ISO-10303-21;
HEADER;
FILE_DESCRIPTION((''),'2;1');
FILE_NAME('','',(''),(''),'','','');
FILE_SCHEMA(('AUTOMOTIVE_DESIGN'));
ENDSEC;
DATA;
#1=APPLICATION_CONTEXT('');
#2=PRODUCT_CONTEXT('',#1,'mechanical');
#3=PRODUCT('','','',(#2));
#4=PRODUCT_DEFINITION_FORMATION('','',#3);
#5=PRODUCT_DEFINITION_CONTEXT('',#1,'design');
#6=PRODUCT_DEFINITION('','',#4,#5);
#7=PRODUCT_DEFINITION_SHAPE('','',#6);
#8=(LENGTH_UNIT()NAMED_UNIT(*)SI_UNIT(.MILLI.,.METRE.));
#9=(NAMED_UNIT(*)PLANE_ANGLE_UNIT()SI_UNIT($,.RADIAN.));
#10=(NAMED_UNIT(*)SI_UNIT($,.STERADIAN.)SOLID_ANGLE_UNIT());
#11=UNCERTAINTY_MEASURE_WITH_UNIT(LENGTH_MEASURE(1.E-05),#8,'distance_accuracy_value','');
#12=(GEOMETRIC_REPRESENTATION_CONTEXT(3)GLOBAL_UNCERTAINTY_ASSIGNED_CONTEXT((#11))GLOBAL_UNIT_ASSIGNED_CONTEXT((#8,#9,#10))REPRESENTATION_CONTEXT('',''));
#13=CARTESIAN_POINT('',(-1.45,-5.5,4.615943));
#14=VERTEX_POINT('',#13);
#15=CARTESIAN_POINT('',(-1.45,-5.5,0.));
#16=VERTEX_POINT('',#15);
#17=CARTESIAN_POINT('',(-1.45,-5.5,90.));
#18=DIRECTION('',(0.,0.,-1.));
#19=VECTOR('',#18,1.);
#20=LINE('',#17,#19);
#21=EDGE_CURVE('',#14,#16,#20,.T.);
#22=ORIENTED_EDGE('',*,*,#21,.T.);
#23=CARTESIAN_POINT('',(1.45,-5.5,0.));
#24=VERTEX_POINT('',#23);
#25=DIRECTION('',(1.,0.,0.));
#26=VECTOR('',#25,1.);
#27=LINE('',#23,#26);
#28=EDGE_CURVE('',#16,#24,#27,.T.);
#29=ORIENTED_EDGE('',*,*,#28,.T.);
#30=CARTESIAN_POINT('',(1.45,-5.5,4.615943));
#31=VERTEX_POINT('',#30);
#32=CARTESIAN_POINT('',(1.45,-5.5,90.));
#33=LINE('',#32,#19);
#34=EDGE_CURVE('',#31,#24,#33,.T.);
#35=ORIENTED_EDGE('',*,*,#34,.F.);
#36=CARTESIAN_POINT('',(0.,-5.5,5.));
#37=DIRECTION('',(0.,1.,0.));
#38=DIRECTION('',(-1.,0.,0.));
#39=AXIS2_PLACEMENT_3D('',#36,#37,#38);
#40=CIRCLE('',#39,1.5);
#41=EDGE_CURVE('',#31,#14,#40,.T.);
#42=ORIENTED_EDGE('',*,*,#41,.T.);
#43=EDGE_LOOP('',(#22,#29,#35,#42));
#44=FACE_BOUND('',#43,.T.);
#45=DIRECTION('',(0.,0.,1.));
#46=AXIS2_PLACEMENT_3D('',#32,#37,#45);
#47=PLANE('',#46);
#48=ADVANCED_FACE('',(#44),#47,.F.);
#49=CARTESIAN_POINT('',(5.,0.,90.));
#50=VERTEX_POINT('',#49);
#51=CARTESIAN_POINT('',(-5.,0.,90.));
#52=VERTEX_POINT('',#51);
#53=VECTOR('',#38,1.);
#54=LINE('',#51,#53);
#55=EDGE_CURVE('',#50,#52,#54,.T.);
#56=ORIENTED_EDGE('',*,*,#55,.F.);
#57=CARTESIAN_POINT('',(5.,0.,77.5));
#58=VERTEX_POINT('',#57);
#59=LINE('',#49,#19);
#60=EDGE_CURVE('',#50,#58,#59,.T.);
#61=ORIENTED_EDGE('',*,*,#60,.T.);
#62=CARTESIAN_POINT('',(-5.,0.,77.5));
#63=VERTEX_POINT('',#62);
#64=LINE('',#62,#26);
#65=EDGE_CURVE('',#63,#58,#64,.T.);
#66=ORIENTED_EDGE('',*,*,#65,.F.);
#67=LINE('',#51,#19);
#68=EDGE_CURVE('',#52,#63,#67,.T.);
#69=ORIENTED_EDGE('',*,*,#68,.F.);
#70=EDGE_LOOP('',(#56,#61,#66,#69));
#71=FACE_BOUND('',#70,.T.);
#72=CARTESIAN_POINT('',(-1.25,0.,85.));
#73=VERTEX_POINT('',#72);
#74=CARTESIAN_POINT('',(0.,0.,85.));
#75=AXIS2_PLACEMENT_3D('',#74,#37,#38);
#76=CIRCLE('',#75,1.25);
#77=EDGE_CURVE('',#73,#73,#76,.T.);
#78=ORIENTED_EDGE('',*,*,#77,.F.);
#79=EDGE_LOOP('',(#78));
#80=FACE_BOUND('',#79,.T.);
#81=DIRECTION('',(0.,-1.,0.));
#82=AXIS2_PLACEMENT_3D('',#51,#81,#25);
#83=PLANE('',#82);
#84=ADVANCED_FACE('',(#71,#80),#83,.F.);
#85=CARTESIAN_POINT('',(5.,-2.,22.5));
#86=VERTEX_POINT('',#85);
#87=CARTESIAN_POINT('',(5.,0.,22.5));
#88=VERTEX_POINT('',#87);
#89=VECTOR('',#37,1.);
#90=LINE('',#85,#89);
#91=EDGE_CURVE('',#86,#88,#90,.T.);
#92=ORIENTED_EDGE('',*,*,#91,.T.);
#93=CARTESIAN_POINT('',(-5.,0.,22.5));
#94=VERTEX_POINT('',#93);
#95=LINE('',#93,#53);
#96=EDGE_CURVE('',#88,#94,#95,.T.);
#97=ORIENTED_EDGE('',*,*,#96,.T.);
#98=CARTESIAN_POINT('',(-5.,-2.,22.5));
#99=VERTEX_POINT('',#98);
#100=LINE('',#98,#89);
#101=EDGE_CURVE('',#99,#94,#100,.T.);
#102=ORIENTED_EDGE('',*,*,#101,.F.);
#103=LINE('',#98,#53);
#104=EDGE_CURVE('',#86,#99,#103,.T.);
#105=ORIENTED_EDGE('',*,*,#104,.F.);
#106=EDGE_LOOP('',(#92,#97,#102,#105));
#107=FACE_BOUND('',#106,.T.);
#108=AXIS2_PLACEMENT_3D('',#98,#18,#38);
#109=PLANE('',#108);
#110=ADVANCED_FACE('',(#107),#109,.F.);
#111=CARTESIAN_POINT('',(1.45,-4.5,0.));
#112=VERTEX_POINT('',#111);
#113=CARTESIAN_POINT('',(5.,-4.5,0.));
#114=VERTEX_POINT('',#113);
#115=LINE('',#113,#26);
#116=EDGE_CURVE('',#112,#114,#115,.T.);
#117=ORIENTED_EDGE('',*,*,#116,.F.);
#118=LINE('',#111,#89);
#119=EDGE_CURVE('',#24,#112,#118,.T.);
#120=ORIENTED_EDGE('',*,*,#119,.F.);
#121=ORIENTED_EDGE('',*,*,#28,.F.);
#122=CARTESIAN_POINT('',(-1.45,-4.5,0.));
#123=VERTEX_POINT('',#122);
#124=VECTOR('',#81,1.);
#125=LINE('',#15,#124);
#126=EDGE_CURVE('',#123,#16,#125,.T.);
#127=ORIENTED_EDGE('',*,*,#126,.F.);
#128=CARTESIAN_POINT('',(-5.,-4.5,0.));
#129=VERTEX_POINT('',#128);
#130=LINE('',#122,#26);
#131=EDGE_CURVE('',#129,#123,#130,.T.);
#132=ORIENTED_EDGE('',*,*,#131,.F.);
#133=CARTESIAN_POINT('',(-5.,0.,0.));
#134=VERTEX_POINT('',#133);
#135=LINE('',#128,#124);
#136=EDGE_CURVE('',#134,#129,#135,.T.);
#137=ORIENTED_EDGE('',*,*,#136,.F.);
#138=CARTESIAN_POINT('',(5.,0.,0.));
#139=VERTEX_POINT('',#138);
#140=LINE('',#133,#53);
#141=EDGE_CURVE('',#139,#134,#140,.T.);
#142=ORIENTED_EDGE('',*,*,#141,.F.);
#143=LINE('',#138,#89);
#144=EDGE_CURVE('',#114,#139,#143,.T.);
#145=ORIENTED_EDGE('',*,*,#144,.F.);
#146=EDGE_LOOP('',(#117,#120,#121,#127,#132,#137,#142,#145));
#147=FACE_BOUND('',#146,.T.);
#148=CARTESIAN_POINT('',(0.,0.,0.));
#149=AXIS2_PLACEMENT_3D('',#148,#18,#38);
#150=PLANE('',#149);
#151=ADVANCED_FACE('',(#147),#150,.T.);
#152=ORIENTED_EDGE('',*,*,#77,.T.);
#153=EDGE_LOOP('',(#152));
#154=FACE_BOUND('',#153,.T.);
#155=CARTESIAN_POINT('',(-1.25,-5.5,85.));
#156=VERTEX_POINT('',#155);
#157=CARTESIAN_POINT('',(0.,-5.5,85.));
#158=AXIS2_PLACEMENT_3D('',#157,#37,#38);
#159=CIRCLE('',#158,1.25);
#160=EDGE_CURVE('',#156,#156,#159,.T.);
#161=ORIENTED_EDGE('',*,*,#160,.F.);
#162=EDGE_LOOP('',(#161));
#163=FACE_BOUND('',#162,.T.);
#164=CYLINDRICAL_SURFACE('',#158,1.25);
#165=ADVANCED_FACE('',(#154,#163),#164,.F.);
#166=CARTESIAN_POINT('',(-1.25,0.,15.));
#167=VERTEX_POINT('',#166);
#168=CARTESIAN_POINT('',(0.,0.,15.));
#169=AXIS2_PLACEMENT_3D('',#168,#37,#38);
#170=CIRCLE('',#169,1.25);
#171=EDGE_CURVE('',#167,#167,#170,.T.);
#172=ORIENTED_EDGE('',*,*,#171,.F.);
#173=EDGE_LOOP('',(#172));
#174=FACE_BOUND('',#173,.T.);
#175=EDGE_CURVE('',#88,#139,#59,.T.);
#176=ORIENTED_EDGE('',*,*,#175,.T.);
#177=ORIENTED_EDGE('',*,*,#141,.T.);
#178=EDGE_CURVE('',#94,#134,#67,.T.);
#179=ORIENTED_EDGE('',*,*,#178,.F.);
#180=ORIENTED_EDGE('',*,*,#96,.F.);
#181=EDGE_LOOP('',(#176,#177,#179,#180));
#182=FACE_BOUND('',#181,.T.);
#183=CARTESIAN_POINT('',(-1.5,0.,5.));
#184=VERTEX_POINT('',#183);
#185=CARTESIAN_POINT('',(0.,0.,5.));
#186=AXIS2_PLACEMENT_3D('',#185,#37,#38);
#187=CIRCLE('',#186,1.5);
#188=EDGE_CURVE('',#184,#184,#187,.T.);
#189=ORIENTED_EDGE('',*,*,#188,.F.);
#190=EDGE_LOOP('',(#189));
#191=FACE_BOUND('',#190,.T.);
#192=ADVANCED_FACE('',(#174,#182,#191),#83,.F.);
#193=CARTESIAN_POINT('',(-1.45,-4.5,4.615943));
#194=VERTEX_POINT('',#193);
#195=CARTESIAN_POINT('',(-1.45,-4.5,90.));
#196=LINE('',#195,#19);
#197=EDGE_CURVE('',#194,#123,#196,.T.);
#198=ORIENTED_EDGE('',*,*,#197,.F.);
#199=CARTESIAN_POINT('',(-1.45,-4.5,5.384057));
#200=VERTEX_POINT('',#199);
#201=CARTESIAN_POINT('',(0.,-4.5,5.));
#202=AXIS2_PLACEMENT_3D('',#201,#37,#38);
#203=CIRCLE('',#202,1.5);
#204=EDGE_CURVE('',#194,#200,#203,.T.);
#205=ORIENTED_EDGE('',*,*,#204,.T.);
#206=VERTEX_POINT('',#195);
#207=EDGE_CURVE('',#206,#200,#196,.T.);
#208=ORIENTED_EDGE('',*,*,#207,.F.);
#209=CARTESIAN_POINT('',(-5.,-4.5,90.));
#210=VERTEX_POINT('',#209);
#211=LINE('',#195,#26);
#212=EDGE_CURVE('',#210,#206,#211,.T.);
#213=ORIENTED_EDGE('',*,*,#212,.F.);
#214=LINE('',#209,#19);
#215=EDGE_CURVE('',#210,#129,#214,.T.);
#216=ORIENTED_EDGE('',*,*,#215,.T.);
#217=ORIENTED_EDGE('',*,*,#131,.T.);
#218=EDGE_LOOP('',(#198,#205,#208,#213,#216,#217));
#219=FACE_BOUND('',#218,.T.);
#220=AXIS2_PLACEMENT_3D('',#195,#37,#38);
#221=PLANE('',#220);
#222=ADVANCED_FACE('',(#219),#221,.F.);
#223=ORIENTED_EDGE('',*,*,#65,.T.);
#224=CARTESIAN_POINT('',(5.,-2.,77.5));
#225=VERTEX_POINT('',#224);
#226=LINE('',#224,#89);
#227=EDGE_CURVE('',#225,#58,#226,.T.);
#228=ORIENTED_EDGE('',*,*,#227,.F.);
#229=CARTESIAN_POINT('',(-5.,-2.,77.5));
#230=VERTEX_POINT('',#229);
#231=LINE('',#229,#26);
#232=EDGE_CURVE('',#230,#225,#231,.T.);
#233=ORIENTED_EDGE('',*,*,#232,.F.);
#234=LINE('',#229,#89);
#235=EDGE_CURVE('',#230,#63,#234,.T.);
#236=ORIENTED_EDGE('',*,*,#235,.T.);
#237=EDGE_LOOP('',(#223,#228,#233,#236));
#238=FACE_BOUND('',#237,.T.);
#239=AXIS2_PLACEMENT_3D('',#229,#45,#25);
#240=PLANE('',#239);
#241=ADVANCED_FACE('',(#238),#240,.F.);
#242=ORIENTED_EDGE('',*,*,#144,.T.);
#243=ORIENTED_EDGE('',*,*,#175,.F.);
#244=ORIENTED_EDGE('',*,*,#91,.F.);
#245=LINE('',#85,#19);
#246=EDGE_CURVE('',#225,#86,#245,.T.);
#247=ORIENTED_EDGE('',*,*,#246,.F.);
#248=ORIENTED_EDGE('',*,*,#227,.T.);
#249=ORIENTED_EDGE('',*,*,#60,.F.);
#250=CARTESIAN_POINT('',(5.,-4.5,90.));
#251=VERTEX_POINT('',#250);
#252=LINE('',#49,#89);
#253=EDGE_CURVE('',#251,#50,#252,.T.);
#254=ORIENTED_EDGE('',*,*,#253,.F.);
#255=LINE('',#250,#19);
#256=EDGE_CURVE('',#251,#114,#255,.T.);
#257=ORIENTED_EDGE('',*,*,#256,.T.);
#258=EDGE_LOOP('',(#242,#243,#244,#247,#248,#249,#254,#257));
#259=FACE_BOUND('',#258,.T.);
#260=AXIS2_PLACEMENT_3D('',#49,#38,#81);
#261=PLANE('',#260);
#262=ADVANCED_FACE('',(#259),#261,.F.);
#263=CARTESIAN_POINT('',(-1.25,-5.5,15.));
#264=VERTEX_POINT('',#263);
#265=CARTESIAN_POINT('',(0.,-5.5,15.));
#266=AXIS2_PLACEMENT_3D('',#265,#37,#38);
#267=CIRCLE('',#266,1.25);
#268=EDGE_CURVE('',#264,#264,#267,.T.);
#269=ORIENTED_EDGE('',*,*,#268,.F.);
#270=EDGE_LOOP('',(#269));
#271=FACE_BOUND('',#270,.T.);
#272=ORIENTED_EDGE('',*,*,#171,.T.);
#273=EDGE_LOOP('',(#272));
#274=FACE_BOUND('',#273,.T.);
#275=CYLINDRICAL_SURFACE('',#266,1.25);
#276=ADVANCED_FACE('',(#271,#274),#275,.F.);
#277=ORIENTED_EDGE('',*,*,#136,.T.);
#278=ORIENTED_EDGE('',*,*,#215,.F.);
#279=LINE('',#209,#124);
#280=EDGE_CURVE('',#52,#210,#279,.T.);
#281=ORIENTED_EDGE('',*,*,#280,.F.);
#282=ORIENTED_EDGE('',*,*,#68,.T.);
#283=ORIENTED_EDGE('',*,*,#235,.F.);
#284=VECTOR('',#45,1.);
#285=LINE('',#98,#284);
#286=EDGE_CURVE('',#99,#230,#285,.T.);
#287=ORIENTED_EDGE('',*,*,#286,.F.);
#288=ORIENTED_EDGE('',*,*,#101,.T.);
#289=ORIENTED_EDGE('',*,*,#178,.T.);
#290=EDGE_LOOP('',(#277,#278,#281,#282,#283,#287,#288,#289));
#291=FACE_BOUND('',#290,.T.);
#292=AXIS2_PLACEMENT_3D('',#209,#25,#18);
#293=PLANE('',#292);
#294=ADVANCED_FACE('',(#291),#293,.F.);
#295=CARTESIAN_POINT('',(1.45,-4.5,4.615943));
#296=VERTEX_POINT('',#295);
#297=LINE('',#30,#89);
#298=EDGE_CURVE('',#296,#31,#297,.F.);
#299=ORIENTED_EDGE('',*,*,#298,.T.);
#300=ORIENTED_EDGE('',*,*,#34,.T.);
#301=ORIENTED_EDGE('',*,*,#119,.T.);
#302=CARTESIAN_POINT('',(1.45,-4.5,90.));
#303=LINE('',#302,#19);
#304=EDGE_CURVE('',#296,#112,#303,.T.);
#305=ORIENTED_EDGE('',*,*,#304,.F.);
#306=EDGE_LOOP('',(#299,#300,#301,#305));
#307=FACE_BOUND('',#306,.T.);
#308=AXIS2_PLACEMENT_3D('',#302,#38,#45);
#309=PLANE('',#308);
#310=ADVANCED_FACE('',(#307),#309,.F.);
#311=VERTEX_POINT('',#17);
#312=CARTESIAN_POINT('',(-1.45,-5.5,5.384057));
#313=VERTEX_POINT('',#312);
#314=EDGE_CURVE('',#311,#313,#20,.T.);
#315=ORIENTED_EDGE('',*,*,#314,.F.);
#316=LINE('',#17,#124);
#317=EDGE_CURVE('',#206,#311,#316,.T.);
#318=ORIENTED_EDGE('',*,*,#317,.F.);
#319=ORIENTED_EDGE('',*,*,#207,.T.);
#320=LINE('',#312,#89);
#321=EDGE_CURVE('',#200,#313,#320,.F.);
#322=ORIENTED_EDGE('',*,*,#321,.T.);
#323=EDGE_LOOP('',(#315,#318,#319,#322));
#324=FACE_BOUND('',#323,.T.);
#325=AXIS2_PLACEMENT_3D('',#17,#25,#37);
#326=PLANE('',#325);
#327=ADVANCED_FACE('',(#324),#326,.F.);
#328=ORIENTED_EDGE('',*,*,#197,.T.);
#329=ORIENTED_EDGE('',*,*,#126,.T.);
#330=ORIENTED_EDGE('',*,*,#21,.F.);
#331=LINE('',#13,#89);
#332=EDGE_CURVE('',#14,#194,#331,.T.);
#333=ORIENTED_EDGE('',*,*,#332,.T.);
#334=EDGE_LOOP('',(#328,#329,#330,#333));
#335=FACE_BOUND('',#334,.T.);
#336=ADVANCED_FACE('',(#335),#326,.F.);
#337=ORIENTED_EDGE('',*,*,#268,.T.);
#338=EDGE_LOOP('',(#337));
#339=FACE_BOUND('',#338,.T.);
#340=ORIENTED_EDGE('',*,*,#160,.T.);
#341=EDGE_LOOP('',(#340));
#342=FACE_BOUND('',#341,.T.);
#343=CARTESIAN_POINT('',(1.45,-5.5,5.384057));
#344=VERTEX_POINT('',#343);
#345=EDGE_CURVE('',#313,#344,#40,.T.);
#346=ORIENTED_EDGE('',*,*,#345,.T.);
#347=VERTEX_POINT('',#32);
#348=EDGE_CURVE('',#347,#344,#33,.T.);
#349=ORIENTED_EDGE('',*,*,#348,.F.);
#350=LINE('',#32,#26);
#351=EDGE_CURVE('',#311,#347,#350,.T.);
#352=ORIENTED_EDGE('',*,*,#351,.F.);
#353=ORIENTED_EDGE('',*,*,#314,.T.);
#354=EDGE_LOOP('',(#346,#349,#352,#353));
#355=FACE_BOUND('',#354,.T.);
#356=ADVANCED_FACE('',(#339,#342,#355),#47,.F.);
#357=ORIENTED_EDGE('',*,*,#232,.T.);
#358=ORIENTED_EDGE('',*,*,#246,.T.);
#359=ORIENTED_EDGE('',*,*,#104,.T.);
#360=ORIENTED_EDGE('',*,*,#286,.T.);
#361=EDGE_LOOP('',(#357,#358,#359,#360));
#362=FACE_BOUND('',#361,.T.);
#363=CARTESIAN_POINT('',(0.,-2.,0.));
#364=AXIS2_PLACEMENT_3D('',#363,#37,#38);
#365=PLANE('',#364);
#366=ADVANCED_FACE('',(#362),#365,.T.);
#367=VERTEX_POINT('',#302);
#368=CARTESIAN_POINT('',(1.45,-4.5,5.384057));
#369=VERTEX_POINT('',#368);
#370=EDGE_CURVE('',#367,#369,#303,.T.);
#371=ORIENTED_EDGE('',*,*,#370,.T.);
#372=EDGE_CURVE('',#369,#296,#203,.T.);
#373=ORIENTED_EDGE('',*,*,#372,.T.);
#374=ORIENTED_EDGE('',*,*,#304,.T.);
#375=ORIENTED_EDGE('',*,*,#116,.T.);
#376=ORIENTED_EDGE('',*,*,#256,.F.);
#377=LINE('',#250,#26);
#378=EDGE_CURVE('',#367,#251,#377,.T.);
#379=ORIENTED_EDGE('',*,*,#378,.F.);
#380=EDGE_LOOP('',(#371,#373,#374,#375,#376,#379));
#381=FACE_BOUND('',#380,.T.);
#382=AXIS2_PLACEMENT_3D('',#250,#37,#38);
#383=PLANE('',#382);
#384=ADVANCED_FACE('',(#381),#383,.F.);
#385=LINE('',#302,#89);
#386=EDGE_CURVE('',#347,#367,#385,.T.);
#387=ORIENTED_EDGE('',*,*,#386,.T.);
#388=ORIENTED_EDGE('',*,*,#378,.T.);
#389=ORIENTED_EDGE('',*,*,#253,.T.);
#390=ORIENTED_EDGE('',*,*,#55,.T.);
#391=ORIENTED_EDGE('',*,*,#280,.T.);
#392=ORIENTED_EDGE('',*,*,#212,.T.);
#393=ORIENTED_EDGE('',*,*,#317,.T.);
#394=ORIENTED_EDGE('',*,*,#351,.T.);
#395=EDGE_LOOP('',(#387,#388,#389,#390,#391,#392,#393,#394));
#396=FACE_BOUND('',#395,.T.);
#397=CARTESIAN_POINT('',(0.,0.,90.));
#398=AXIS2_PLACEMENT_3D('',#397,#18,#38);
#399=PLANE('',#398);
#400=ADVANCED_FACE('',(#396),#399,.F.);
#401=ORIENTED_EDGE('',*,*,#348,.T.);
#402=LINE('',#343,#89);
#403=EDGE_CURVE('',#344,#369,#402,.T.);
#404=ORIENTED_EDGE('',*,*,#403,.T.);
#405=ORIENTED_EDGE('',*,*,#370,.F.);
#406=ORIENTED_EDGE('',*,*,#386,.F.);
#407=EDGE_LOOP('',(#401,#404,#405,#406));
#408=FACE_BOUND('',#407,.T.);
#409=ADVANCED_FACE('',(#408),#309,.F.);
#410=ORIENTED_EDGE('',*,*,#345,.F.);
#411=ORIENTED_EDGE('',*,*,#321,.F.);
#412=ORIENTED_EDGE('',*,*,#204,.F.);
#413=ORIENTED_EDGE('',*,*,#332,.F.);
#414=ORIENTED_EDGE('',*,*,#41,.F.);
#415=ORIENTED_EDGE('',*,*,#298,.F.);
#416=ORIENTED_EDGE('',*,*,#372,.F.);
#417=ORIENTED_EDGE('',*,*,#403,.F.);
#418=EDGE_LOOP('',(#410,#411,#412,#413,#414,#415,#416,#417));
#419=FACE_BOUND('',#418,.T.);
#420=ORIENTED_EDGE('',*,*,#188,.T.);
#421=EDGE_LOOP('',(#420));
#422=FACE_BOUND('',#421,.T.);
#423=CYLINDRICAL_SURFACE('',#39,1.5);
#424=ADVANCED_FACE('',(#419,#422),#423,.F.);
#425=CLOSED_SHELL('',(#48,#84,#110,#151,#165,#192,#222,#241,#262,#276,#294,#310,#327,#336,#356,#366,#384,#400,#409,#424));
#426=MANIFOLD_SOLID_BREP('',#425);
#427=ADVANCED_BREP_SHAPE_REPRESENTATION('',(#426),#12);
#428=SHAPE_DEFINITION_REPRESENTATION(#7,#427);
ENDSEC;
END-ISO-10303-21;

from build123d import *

# Parameters (mm, degrees)
MAIN_DEPTH      = 90
SKETCH2_R       = 1.25
SKETCH2_R_2     = 1.5
MAINHOLES_DEPTH = 6.5
SKETCH3_W       = 10
SKETCH3_H       = 55
PINHOLES_DEPTH  = 2


with BuildPart() as part:
    # Sketch1 → Main (new body)
    with BuildSketch(Plane.XY):
        Polygon((-5, 0), (5, 0), (5, -4.5), (1.45, -4.5), (1.45, -5.5), (-1.45, -5.5), (-1.45, -4.5), (-5, -4.5), align=None)
    extrude(amount=MAIN_DEPTH)

    # Sketch2 → MainHoles (cut, through all)
    with BuildSketch(Plane(origin=(0, 0, 0), x_dir=(1, 0, 0), z_dir=(0, 1, 0))):
        with Locations((0, -85)):
            Circle(SKETCH2_R)
        with Locations((0, -15)):
            Circle(SKETCH2_R)
        with Locations((0, -5)):
            Circle(SKETCH2_R_2)
    extrude(amount=-MAINHOLES_DEPTH, mode=Mode.SUBTRACT)

    # Sketch3 → PinHoles (cut)
    with BuildSketch(Plane(origin=(0, 0, 0), x_dir=(1, 0, 0), z_dir=(0, 1, 0))):
        with Locations((0, -50)):
            Rectangle(SKETCH3_W, SKETCH3_H)
    extrude(amount=-PINHOLES_DEPTH, mode=Mode.SUBTRACT)


solid = part.part
